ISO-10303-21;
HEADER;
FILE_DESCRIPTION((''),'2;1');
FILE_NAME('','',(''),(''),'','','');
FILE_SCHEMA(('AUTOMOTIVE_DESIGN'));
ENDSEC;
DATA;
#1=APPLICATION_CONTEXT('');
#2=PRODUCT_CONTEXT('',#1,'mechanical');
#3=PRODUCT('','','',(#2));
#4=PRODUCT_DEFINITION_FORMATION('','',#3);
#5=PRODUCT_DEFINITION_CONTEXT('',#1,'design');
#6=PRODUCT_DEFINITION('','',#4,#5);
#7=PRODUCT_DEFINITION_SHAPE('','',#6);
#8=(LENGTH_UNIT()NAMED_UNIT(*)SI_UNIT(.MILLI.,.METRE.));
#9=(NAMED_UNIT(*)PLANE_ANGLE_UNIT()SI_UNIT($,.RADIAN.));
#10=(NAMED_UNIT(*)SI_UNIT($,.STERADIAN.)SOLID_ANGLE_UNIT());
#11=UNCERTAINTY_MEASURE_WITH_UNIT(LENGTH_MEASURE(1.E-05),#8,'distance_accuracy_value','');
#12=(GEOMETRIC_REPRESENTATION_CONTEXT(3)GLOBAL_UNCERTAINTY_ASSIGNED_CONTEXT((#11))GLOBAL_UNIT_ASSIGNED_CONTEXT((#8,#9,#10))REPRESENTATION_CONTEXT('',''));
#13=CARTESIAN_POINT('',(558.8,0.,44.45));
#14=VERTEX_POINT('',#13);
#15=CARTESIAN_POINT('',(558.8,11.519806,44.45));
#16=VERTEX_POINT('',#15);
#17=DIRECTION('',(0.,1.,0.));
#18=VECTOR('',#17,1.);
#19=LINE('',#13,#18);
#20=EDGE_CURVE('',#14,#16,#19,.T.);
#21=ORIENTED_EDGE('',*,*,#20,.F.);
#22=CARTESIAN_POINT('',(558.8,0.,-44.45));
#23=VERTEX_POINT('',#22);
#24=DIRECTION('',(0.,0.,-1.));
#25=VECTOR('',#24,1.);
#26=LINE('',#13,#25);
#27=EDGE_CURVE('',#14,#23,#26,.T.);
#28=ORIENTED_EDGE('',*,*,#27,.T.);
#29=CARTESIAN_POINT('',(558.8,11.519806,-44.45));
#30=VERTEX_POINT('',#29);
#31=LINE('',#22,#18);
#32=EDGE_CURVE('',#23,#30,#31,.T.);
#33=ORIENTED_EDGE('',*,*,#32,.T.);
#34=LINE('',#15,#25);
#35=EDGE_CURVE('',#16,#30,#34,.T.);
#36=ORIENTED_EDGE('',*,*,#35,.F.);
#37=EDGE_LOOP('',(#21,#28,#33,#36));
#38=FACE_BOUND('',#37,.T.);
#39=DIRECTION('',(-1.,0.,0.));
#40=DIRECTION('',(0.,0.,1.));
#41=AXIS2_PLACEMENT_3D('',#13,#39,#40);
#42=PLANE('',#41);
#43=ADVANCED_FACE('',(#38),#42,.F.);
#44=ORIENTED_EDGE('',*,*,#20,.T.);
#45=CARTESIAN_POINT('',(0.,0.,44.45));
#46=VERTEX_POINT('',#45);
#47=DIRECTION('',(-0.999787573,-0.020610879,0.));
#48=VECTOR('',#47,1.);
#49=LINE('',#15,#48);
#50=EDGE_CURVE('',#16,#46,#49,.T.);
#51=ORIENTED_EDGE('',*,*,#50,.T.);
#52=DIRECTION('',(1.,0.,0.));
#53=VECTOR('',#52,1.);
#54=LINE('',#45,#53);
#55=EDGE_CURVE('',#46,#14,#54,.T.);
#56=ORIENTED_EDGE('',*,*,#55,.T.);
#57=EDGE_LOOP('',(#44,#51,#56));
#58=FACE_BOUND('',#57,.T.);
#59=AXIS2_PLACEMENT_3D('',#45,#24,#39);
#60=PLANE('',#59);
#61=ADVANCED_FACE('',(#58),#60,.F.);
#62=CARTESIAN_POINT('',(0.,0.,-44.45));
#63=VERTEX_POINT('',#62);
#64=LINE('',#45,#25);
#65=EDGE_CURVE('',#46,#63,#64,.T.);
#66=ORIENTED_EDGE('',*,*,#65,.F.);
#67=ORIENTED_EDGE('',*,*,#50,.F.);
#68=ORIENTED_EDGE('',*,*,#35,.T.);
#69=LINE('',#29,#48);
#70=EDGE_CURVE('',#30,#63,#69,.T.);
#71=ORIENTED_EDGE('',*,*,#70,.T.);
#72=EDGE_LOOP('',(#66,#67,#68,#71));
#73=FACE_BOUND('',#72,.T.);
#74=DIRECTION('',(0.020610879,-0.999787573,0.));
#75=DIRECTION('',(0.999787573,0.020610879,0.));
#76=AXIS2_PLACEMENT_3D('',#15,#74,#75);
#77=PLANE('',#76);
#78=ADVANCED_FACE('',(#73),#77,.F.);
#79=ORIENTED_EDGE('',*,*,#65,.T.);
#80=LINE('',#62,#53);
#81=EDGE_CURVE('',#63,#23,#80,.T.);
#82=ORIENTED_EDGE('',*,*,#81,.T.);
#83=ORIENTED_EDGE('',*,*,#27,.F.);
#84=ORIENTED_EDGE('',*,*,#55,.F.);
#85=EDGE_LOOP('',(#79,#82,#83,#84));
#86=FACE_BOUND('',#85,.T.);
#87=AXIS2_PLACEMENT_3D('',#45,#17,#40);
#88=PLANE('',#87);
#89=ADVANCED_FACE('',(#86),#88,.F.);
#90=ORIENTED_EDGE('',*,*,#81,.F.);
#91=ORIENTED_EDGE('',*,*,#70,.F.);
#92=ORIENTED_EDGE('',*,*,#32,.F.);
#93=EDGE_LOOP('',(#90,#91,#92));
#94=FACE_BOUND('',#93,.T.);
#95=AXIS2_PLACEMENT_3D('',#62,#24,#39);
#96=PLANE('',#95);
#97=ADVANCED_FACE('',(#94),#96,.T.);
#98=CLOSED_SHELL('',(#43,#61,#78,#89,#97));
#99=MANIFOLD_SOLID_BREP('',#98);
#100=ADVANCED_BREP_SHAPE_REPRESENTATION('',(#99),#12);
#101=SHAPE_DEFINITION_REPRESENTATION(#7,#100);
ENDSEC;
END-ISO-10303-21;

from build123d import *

# Parameters (mm, degrees)
BOSS_EXTRUDE1_DEPTH = 44.45


with BuildPart() as part:
    # Sketch1 → Boss-Extrude1 (new, symmetric)
    with BuildSketch(Plane.XY):
        Polygon((0, 0), (558.8, 0), (558.8, 11.519806249), align=None)
    extrude(amount=BOSS_EXTRUDE1_DEPTH, both=True)


solid = part.part
